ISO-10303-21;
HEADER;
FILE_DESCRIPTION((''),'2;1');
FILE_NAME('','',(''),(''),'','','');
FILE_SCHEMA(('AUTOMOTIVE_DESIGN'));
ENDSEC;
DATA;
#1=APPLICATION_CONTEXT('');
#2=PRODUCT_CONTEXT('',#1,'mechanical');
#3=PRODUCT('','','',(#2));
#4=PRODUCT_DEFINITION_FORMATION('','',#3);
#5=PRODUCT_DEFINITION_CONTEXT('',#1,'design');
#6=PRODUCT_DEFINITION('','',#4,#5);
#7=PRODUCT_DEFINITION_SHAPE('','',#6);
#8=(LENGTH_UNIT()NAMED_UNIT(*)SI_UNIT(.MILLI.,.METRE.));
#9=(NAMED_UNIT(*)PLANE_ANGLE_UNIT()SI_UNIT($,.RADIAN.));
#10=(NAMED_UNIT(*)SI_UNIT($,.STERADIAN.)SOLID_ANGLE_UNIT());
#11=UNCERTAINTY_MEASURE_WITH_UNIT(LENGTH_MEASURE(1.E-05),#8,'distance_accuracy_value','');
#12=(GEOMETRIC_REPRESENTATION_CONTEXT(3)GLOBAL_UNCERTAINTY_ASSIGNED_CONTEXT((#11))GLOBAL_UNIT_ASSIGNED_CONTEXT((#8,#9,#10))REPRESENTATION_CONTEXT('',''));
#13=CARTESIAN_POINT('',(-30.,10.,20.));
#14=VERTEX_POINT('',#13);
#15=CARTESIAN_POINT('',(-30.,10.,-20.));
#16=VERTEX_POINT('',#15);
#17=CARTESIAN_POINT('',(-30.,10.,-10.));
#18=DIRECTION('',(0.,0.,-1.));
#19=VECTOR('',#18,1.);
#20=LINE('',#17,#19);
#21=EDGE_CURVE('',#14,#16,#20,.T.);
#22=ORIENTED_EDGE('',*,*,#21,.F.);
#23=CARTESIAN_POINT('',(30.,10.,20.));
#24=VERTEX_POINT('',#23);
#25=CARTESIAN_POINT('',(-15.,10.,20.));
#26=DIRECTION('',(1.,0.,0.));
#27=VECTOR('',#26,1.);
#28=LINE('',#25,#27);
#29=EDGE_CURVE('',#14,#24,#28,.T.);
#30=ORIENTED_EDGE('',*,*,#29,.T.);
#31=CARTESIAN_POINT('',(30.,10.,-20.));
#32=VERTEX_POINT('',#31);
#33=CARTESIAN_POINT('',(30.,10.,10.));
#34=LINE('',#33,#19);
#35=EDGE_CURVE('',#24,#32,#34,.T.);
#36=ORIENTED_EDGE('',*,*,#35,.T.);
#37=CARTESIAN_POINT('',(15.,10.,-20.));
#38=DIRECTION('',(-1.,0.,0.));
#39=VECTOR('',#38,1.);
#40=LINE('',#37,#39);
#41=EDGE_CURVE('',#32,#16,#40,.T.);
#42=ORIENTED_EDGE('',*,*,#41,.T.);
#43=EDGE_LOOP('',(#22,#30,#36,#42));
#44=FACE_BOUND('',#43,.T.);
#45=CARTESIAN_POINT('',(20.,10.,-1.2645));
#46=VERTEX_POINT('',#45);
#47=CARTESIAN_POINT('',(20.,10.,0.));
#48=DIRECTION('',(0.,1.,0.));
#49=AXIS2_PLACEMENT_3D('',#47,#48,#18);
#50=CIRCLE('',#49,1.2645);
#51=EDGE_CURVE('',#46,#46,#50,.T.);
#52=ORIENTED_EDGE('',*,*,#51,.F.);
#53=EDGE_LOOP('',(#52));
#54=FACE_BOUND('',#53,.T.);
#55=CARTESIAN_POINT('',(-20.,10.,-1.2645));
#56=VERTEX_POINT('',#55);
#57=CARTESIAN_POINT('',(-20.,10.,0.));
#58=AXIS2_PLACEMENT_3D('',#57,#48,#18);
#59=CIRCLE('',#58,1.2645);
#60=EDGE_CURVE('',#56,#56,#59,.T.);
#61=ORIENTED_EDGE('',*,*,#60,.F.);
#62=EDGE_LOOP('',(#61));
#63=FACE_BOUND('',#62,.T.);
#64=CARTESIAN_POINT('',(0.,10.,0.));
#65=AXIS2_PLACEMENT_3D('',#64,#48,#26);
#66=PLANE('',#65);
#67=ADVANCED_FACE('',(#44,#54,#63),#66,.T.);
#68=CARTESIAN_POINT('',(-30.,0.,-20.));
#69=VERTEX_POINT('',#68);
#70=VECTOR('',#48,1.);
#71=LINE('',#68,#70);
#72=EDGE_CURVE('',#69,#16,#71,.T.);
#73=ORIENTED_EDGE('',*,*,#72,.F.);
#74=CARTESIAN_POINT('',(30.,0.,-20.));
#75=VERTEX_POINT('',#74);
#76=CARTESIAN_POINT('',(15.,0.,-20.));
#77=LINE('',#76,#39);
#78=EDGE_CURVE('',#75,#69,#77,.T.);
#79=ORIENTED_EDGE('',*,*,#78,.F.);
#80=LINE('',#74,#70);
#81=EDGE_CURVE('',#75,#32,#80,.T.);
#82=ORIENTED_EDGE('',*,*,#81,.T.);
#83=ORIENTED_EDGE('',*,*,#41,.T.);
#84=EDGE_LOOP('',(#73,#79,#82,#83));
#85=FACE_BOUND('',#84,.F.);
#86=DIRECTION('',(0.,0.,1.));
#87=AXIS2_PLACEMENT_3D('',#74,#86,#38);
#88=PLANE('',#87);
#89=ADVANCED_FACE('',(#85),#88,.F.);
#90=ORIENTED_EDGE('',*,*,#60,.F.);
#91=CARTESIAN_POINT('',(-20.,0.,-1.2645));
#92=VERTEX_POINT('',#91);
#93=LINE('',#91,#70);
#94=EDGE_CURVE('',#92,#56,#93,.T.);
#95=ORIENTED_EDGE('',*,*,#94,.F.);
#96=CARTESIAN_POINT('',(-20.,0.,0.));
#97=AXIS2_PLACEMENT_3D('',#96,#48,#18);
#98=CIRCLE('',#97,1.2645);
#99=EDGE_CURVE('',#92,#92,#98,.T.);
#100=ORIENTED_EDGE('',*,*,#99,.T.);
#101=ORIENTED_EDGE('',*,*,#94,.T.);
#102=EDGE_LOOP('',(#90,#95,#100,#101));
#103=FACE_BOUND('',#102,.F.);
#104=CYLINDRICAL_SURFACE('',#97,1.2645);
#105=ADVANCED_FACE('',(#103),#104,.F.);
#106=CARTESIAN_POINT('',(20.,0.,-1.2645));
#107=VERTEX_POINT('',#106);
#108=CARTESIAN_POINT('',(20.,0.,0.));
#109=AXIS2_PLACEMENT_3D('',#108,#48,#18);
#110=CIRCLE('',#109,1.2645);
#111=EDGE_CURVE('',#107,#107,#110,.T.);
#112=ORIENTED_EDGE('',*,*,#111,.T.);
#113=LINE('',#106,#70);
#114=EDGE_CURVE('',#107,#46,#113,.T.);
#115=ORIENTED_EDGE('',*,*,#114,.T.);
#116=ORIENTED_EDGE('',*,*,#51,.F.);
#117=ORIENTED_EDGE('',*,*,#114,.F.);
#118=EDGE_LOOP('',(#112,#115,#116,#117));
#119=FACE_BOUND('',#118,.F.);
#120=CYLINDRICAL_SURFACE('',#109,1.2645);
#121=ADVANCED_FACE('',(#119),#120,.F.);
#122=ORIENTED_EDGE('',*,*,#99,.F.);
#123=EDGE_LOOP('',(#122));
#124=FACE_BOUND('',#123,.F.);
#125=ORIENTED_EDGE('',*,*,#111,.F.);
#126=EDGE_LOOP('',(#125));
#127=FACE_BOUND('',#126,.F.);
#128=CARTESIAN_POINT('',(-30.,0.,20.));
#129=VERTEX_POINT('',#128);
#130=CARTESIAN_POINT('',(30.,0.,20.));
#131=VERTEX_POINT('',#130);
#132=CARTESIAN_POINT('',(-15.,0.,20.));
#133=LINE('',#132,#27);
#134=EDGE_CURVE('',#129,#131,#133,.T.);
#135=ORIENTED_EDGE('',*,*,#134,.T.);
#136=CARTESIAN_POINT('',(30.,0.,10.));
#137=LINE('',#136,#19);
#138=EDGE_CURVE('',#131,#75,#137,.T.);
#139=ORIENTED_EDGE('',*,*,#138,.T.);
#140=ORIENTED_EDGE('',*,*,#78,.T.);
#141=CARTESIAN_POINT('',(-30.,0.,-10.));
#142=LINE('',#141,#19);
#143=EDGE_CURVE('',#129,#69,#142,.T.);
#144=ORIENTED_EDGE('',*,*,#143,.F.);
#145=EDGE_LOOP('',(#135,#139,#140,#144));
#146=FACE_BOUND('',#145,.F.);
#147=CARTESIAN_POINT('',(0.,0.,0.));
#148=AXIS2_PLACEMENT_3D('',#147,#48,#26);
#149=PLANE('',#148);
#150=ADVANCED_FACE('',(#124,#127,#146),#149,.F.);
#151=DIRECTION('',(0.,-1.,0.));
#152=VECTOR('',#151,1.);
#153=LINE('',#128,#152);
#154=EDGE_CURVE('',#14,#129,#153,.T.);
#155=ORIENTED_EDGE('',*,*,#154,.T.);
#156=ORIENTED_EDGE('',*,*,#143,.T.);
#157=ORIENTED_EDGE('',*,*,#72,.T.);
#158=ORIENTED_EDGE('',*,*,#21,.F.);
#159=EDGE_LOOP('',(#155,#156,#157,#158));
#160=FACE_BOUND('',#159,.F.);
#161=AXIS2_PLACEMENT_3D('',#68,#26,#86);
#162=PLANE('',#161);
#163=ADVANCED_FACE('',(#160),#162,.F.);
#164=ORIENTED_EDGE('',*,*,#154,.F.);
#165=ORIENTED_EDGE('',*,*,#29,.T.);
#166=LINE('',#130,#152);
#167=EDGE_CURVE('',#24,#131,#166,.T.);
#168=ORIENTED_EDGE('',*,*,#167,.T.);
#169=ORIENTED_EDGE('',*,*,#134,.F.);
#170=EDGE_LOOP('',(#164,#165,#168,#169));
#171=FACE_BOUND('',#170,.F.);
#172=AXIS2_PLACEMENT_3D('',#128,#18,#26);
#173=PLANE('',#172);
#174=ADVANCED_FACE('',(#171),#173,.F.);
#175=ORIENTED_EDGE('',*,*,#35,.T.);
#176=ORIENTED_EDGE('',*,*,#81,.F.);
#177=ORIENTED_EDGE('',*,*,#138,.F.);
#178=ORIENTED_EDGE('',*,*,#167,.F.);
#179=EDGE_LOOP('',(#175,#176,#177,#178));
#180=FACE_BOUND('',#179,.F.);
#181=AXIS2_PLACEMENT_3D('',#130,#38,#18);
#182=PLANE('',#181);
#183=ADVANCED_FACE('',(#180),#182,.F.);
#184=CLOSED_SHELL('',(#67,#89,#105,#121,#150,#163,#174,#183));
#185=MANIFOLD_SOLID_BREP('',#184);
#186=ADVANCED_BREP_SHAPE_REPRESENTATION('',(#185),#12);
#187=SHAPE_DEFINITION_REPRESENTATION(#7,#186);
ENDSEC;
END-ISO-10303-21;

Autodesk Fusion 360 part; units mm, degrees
sketch "スケッチ1" plane through (0, 0, 0) normal (0, 1, 0) x (1, 0, 0)
  line L0 (30, 20) -> (-30, 20)
  line L1 (-30, 20) -> (-30, -20)
  line L2 (-30, -20) -> (30, -20)
  line L3 (30, -20) -> (30, 20)
  line L4 (30, 20) -> (-30, -20) construction
  line L5 (-30, 20) -> (30, -20) construction
  line L6 (-20, 0) -> (20, 0)
  dimension "d1" = 60
  dimension "d2" = 40
  dimension "d3" = 40
extrude "押し出し1" add sketch "スケッチ1" along normal blind 10
hole "穴1" at (-20, 0, 0) at (20, 0, 0) direction (0, 1, 0) diameter 3 depth 12 tip angle 118
thread "ねじ1" "ISO Metric profile 3.0 M3x0.5 6H" major diameter 3.086 minor diameter 2.529 pitch 0.5 angle 60 resizes the face on face at (20.0748, 3.3333, -1.4981) on face at (-19.9252, 3.3333, -1.4981)
